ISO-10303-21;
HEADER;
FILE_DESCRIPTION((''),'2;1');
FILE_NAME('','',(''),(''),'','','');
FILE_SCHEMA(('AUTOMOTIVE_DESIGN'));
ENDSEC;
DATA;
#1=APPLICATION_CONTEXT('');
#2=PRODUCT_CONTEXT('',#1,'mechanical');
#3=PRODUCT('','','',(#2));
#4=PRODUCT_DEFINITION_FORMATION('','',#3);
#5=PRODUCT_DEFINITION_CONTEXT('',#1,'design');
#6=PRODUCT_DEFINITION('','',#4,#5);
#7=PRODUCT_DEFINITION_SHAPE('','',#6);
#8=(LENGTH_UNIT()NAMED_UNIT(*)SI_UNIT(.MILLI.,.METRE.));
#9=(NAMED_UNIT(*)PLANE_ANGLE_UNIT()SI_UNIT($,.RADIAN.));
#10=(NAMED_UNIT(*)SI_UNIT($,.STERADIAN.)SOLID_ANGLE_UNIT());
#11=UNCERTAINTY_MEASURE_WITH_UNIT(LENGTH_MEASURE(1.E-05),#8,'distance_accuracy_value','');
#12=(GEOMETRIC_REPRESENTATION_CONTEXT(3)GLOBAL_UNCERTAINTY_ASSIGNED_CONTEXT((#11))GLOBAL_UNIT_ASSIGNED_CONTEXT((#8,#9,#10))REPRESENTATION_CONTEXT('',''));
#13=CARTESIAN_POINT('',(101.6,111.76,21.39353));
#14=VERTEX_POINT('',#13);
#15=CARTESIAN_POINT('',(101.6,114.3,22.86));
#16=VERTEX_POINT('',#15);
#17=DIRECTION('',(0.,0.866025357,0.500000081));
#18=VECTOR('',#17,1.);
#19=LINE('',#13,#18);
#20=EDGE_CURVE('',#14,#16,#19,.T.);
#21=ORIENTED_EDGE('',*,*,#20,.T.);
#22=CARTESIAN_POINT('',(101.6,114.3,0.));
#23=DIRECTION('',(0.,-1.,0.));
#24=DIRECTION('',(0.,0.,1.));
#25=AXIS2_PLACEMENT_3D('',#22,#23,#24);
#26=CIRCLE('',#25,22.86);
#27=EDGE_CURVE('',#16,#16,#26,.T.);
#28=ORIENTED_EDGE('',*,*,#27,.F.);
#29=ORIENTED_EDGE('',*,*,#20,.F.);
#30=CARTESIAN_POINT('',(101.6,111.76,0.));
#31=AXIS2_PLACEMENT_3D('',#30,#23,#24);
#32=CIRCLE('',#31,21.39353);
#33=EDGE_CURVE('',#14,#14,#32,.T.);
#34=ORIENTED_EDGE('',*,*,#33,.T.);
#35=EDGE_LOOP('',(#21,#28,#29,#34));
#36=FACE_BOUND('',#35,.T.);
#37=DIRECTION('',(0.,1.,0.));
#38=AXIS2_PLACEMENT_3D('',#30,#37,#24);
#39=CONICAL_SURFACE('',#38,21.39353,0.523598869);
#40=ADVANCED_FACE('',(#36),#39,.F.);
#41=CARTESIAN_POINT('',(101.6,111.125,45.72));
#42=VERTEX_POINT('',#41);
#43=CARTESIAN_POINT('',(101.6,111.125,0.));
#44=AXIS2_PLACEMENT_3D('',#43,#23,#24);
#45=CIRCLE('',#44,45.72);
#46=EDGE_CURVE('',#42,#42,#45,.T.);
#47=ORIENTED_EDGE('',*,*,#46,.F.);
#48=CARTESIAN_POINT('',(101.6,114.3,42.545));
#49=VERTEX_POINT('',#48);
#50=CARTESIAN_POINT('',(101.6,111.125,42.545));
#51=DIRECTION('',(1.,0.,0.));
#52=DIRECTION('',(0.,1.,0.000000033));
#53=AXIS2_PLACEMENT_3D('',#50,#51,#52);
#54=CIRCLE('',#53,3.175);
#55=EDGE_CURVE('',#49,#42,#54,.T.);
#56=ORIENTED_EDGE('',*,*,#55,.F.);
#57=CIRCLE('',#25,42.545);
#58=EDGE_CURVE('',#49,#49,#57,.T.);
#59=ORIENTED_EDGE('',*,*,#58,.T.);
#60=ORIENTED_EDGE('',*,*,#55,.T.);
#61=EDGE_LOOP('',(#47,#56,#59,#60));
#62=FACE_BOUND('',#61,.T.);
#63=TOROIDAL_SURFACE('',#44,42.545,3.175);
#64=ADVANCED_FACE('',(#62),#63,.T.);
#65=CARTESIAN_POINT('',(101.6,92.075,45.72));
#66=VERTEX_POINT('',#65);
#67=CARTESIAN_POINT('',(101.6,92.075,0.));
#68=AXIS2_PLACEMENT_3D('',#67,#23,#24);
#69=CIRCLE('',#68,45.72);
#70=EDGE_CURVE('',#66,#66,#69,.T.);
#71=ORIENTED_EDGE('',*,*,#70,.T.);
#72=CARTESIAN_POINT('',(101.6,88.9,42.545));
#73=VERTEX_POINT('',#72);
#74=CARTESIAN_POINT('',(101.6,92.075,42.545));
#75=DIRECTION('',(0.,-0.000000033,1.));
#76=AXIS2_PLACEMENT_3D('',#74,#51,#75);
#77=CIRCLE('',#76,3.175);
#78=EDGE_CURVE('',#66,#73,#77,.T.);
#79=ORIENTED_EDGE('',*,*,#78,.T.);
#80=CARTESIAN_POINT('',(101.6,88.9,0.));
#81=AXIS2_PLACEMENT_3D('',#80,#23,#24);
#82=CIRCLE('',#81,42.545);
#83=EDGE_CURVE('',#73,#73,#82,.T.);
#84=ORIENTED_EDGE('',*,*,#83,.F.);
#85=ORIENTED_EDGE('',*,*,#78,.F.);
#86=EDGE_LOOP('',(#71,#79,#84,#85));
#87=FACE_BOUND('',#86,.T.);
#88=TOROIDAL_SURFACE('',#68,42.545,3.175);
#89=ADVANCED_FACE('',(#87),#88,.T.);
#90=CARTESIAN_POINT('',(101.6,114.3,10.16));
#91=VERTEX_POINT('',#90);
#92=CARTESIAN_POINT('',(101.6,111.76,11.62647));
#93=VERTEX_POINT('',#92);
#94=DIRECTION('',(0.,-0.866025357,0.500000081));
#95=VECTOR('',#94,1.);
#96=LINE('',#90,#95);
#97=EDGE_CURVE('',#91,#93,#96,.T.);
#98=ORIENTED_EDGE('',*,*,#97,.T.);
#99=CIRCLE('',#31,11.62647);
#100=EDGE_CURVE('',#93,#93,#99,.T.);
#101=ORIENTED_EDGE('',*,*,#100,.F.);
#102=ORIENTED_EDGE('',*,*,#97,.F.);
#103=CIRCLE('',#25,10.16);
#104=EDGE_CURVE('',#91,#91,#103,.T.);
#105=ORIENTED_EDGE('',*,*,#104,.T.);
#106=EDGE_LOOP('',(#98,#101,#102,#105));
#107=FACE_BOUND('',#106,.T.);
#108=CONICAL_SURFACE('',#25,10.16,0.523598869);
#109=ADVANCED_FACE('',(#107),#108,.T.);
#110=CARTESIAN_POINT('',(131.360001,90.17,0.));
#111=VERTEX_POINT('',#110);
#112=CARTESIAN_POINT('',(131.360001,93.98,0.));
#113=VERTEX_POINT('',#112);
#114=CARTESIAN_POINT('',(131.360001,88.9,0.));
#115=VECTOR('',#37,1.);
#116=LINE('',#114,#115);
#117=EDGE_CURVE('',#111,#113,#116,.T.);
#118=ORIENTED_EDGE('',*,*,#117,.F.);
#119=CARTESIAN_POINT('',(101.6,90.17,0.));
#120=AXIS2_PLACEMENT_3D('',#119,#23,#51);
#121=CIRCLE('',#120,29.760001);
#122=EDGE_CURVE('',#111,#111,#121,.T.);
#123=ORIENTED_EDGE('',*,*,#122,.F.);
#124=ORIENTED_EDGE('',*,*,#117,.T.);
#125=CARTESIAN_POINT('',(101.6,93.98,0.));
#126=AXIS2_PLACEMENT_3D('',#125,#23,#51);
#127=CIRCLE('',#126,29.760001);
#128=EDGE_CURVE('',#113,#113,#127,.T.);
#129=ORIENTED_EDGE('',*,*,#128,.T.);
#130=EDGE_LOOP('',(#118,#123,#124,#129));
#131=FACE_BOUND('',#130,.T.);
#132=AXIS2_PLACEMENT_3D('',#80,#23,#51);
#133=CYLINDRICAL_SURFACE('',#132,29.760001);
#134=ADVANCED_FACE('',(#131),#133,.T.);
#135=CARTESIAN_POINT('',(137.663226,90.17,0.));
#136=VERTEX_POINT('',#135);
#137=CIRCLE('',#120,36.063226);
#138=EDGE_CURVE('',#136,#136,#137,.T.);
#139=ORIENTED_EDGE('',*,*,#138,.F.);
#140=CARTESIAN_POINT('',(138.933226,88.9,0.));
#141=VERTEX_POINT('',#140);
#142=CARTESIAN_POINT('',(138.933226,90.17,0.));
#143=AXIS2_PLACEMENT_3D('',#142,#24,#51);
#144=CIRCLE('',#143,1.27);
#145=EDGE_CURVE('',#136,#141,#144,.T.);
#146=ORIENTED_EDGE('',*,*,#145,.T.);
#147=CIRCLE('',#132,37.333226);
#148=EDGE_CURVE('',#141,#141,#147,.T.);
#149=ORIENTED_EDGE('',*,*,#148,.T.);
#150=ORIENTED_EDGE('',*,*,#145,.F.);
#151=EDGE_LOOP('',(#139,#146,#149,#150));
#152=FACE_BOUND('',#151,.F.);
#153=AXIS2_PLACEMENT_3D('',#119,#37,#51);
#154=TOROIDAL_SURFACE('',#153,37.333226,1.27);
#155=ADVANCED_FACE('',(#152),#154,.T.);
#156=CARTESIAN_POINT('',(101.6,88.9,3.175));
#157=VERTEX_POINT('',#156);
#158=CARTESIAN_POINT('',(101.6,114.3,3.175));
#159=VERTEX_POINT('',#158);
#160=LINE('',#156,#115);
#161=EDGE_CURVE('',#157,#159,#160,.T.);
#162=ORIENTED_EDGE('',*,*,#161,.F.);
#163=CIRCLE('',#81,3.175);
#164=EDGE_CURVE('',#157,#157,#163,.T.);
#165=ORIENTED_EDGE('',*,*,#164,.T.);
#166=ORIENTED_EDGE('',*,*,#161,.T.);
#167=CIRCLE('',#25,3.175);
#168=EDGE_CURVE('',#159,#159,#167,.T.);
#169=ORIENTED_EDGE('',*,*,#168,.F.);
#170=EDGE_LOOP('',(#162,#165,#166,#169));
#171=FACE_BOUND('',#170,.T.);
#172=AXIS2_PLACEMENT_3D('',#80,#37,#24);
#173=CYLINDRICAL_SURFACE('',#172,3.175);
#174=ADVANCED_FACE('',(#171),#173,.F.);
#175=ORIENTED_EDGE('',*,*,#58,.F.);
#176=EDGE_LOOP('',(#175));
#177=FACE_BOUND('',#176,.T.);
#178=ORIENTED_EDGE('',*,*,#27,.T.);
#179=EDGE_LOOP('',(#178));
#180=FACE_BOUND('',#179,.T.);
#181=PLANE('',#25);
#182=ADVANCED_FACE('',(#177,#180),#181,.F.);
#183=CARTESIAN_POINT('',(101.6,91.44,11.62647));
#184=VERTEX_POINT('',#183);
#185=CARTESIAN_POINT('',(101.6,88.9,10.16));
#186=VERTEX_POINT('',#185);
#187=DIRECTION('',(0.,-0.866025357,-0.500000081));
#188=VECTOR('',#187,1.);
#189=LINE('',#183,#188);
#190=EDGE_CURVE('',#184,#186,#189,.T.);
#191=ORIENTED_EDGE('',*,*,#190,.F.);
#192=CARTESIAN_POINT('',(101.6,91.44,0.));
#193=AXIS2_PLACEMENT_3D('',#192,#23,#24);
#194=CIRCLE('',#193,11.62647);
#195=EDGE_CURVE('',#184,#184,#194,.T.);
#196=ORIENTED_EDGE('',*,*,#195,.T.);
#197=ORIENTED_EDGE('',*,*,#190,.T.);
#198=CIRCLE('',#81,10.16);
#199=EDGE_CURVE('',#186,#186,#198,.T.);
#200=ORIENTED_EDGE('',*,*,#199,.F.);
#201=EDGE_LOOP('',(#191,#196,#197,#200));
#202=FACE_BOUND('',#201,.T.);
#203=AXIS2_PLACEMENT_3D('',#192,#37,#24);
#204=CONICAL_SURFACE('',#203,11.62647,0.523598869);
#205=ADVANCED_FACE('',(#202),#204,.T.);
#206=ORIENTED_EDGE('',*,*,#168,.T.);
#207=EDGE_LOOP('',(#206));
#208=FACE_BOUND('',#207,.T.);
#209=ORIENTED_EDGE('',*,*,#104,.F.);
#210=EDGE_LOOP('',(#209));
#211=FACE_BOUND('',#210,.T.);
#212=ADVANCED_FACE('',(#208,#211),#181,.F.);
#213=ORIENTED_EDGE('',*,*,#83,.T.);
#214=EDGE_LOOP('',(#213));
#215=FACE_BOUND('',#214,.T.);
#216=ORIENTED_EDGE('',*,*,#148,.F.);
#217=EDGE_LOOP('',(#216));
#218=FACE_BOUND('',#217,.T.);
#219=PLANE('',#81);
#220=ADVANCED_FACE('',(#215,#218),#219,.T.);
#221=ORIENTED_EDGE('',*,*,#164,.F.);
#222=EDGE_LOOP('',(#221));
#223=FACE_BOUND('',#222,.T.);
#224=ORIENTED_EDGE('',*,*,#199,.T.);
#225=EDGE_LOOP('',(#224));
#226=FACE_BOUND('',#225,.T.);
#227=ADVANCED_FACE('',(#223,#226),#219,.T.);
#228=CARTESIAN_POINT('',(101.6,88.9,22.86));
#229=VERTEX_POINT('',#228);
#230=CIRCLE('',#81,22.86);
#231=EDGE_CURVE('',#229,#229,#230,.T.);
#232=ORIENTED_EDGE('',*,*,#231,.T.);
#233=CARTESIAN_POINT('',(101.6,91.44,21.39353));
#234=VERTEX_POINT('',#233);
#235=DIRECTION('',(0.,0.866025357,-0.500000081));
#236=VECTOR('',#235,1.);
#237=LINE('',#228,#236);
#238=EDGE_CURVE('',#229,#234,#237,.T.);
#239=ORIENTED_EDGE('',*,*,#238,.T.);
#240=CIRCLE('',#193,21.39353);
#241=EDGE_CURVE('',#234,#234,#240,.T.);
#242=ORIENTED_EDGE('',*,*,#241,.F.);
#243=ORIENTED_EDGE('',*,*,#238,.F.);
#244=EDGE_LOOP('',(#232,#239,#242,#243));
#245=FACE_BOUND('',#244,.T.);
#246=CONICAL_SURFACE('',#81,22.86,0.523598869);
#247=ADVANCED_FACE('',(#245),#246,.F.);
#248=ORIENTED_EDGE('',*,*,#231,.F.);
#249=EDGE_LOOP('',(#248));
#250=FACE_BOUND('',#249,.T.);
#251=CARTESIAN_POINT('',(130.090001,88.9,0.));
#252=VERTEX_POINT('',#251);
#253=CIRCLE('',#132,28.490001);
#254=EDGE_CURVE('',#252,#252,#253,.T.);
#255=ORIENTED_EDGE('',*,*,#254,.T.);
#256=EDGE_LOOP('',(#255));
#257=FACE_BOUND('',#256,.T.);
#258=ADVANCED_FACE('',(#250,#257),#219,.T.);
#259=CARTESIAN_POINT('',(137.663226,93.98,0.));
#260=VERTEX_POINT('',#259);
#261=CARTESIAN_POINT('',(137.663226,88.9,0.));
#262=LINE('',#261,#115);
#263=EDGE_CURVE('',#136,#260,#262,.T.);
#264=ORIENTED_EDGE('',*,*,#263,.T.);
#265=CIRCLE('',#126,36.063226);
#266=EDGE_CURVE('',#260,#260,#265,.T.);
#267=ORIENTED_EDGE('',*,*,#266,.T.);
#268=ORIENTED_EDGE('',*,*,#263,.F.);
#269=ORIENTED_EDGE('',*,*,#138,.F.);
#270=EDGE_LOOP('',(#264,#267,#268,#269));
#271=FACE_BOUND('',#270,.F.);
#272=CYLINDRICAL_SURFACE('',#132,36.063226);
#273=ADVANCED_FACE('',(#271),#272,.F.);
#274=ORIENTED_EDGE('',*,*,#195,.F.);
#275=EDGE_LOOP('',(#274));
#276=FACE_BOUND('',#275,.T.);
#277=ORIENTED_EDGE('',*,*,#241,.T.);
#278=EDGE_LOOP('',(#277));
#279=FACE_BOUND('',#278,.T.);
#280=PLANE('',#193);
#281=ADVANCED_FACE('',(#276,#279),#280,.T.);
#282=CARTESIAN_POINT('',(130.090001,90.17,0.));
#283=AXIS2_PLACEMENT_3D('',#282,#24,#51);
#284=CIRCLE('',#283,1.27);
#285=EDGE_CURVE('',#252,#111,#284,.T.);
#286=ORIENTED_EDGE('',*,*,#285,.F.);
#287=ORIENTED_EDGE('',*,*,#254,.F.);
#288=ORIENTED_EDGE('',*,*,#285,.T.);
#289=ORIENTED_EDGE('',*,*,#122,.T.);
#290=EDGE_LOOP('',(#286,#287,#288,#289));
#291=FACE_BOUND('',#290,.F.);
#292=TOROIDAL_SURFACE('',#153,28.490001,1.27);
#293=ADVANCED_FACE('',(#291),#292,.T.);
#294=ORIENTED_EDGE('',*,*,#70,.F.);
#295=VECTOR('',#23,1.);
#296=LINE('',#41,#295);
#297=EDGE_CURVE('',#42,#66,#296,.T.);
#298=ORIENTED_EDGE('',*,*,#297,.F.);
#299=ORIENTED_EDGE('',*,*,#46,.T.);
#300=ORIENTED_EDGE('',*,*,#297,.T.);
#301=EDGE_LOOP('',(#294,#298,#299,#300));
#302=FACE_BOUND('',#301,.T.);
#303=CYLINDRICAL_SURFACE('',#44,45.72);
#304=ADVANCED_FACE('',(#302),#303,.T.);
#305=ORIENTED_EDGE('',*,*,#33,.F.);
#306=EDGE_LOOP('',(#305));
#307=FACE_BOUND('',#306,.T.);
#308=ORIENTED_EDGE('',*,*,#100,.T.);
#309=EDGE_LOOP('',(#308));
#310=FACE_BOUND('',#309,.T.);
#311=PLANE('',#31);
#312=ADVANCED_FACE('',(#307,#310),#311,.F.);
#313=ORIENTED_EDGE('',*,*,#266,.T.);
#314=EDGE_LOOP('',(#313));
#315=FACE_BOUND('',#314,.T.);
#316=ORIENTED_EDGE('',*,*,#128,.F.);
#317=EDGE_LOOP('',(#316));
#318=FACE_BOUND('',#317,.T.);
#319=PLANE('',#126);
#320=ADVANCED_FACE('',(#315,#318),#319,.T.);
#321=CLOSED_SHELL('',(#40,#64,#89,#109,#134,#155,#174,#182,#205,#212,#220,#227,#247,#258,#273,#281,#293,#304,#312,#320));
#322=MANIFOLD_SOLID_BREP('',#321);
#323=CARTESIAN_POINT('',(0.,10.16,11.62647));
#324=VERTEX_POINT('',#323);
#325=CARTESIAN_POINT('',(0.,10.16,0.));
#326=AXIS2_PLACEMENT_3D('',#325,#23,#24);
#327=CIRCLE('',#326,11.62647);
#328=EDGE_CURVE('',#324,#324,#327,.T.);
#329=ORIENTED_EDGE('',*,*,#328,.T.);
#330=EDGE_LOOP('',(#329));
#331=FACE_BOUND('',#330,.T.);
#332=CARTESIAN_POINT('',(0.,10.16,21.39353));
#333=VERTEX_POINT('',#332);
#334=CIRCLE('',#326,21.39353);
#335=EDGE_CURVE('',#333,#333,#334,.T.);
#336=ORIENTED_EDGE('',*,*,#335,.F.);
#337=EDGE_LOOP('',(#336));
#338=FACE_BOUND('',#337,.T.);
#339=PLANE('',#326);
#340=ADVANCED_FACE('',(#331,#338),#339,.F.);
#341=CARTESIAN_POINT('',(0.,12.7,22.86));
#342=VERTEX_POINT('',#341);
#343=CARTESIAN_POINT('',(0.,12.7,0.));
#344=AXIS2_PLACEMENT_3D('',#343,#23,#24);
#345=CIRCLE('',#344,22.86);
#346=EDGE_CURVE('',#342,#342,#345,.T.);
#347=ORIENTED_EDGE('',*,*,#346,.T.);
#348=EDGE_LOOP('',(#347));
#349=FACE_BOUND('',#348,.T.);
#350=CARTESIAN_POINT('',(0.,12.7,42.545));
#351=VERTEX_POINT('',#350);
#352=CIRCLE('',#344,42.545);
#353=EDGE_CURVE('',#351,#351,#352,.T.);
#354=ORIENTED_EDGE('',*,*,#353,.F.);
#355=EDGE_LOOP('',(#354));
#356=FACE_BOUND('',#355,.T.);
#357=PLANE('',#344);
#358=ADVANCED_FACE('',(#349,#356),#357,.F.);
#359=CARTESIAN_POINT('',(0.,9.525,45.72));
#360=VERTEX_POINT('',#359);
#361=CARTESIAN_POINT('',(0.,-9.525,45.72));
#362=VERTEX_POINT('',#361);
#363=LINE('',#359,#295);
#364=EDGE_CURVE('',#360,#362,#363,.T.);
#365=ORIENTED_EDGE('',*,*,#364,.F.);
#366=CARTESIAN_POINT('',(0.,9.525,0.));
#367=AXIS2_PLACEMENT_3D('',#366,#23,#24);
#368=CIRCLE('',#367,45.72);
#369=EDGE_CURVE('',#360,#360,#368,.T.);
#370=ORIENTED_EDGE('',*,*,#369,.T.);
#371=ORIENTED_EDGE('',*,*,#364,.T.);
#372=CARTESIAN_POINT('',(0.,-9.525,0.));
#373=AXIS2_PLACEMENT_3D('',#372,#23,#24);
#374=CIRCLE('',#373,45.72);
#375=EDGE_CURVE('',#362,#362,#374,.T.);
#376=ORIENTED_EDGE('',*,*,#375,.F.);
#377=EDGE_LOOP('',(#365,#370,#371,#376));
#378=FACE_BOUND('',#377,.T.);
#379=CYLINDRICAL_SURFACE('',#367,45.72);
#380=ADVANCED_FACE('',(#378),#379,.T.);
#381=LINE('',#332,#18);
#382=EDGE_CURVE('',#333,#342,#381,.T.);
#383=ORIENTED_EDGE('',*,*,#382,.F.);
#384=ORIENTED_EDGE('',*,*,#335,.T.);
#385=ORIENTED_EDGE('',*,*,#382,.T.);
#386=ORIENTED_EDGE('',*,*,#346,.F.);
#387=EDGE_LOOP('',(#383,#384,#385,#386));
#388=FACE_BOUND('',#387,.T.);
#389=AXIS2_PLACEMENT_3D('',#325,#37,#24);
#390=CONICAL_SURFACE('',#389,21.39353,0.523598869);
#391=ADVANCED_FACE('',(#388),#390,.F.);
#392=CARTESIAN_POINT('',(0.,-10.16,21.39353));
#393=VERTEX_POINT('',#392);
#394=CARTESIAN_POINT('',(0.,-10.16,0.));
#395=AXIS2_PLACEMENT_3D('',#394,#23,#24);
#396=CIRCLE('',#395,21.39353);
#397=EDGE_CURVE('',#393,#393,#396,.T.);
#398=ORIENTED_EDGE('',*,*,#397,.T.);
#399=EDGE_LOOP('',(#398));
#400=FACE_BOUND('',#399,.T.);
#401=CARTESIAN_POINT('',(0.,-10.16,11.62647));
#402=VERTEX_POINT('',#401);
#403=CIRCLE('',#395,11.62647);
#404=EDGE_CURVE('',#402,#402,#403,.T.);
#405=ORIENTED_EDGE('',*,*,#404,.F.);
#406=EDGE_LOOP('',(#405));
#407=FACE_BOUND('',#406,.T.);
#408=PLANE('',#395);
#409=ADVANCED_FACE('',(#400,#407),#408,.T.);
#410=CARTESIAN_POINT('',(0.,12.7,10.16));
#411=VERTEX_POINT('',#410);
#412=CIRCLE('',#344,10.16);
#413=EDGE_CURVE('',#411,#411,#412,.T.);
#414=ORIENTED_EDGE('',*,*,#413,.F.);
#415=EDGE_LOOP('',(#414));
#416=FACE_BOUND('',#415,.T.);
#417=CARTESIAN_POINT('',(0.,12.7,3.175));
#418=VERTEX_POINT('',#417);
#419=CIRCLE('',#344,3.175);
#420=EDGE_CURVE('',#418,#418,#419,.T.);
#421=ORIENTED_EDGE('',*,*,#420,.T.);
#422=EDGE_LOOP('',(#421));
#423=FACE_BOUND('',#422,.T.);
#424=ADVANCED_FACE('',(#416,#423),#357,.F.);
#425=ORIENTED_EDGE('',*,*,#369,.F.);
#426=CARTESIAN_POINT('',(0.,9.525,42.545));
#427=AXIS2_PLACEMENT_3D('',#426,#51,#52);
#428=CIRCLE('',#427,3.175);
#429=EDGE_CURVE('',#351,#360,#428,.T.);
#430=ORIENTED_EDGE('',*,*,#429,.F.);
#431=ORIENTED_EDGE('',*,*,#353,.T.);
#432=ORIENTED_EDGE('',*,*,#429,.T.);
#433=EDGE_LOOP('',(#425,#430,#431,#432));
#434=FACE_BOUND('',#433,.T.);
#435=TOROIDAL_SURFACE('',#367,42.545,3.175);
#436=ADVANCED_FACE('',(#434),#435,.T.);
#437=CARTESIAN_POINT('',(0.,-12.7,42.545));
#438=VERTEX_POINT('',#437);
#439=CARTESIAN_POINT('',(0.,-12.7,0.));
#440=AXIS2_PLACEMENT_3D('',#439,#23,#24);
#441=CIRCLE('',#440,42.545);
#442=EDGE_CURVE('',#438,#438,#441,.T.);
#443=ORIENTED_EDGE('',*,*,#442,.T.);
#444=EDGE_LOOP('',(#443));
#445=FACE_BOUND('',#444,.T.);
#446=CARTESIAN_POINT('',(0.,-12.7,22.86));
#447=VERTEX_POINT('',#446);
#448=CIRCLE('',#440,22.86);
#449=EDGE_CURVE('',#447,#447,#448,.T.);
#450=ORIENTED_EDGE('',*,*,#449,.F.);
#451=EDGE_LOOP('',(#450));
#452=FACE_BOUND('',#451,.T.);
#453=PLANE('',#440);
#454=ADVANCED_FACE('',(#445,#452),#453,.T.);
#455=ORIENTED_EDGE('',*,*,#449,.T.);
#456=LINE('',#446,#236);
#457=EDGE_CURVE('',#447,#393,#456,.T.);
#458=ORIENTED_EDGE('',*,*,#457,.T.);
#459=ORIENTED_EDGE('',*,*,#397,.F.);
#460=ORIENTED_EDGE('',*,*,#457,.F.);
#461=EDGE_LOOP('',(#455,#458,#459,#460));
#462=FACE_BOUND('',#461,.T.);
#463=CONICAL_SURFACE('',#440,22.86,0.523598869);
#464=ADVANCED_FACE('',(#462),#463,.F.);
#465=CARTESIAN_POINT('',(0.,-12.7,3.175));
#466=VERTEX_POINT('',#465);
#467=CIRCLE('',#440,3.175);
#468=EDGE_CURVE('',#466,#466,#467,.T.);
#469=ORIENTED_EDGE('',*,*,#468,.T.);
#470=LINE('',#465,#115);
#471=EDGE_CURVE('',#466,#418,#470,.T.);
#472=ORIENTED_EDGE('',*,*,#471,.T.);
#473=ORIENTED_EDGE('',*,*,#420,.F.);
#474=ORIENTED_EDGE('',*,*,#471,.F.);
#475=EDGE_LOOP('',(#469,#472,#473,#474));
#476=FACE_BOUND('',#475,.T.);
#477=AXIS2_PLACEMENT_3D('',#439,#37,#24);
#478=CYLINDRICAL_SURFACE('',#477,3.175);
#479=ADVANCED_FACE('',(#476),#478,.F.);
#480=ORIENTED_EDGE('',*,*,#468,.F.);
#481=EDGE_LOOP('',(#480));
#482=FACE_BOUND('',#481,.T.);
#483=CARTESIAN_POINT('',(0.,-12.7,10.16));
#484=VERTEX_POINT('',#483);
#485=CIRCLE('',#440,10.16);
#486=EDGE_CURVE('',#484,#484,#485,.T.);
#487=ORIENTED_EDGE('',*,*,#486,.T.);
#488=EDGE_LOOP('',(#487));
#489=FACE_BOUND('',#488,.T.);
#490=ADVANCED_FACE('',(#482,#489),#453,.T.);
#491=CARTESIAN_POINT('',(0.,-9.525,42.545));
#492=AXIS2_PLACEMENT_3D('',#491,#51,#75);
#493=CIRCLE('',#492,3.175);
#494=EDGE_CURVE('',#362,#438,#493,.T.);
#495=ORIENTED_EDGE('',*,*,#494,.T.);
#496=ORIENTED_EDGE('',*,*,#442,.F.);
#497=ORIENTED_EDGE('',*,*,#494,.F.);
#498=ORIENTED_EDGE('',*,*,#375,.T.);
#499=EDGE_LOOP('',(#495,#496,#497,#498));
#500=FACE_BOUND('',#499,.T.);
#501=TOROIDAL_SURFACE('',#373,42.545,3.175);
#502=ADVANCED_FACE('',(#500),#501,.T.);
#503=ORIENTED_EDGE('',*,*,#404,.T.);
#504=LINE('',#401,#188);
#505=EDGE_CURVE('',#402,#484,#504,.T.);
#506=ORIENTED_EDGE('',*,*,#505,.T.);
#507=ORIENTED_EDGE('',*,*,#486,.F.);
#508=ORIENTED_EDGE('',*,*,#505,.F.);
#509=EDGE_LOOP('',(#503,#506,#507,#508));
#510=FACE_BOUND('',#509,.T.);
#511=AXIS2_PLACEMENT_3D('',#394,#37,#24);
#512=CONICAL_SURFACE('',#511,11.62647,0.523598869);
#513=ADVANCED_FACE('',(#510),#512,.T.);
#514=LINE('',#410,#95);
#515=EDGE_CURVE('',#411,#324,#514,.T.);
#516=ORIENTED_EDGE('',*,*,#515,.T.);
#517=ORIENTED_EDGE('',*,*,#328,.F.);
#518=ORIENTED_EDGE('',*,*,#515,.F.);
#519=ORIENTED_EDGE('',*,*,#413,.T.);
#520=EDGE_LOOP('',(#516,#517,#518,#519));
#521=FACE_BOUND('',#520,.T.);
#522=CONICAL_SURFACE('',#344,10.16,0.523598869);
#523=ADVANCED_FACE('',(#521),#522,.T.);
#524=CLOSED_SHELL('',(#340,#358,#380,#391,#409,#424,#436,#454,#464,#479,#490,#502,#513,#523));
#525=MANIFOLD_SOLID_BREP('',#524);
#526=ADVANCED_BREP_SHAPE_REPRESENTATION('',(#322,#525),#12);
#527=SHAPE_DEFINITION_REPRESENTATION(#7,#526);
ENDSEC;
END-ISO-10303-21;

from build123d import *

# Parameters (mm, degrees)
F5_R     = 36.063226
F5_R_2   = 29.760001
F6_DEPTH = 5.08
F7_R     = 1.27


with BuildPart() as f1:
    # F0 (on Right) → F1 (revolve)
    with BuildSketch(Plane.YZ):
        with BuildLine():
            Line((-12.7, 3.175), (12.7, 3.175))
            Line((12.7, 3.175), (12.7, 10.16))
            Line((12.7, 10.16), (10.16, 11.62647))
            Line((10.16, 11.62647), (10.16, 21.39353))
            Line((10.16, 21.39353), (12.7, 22.86))
            Line((12.7, 22.86), (12.7, 42.545))
            ThreePointArc((12.7, 42.545), (11.770064, 44.790064), (9.525, 45.72))
            Line((9.525, 45.72), (-9.525, 45.72))
            ThreePointArc((-9.525, 45.72), (-11.770064, 44.790064), (-12.7, 42.545))
            Line((-12.7, 42.545), (-12.7, 22.86))
            Line((-12.7, 22.86), (-10.16, 21.39353))
            Line((-10.16, 21.39353), (-10.16, 11.62647))
            Line((-10.16, 11.62647), (-12.7, 10.16))
            Line((-12.7, 10.16), (-12.7, 3.175))
        make_face()
    revolve(axis=Axis((0, -22.93878, 0), (0, -1, 0)))


with BuildPart() as f2_1:
    # F2: copy of F1
    add(f1.part)


with BuildPart() as f4_1:
    # F4: copy of F2_1
    add(f2_1.part.moved(Location((101.6, 101.6, 0))))

    # F5 (on face) → F6 (cut)
    with BuildSketch(Plane.XZ.offset(-88.9)):
        with Locations((101.6, 0)):
            Circle(F5_R)
        with Locations((101.6, 0)):
            Circle(F5_R_2, mode=Mode.SUBTRACT)
    extrude(amount=-F6_DEPTH, mode=Mode.SUBTRACT)

    # F7
    f7_edges = [f4_1.edges().sort_by_distance(p)[0] for p in [
        (65.536774, 88.9, 0),
        (71.839999, 88.9, 0),
    ]]
    fillet(f7_edges, radius=F7_R)


solid = Compound([f2_1.part, f4_1.part])
